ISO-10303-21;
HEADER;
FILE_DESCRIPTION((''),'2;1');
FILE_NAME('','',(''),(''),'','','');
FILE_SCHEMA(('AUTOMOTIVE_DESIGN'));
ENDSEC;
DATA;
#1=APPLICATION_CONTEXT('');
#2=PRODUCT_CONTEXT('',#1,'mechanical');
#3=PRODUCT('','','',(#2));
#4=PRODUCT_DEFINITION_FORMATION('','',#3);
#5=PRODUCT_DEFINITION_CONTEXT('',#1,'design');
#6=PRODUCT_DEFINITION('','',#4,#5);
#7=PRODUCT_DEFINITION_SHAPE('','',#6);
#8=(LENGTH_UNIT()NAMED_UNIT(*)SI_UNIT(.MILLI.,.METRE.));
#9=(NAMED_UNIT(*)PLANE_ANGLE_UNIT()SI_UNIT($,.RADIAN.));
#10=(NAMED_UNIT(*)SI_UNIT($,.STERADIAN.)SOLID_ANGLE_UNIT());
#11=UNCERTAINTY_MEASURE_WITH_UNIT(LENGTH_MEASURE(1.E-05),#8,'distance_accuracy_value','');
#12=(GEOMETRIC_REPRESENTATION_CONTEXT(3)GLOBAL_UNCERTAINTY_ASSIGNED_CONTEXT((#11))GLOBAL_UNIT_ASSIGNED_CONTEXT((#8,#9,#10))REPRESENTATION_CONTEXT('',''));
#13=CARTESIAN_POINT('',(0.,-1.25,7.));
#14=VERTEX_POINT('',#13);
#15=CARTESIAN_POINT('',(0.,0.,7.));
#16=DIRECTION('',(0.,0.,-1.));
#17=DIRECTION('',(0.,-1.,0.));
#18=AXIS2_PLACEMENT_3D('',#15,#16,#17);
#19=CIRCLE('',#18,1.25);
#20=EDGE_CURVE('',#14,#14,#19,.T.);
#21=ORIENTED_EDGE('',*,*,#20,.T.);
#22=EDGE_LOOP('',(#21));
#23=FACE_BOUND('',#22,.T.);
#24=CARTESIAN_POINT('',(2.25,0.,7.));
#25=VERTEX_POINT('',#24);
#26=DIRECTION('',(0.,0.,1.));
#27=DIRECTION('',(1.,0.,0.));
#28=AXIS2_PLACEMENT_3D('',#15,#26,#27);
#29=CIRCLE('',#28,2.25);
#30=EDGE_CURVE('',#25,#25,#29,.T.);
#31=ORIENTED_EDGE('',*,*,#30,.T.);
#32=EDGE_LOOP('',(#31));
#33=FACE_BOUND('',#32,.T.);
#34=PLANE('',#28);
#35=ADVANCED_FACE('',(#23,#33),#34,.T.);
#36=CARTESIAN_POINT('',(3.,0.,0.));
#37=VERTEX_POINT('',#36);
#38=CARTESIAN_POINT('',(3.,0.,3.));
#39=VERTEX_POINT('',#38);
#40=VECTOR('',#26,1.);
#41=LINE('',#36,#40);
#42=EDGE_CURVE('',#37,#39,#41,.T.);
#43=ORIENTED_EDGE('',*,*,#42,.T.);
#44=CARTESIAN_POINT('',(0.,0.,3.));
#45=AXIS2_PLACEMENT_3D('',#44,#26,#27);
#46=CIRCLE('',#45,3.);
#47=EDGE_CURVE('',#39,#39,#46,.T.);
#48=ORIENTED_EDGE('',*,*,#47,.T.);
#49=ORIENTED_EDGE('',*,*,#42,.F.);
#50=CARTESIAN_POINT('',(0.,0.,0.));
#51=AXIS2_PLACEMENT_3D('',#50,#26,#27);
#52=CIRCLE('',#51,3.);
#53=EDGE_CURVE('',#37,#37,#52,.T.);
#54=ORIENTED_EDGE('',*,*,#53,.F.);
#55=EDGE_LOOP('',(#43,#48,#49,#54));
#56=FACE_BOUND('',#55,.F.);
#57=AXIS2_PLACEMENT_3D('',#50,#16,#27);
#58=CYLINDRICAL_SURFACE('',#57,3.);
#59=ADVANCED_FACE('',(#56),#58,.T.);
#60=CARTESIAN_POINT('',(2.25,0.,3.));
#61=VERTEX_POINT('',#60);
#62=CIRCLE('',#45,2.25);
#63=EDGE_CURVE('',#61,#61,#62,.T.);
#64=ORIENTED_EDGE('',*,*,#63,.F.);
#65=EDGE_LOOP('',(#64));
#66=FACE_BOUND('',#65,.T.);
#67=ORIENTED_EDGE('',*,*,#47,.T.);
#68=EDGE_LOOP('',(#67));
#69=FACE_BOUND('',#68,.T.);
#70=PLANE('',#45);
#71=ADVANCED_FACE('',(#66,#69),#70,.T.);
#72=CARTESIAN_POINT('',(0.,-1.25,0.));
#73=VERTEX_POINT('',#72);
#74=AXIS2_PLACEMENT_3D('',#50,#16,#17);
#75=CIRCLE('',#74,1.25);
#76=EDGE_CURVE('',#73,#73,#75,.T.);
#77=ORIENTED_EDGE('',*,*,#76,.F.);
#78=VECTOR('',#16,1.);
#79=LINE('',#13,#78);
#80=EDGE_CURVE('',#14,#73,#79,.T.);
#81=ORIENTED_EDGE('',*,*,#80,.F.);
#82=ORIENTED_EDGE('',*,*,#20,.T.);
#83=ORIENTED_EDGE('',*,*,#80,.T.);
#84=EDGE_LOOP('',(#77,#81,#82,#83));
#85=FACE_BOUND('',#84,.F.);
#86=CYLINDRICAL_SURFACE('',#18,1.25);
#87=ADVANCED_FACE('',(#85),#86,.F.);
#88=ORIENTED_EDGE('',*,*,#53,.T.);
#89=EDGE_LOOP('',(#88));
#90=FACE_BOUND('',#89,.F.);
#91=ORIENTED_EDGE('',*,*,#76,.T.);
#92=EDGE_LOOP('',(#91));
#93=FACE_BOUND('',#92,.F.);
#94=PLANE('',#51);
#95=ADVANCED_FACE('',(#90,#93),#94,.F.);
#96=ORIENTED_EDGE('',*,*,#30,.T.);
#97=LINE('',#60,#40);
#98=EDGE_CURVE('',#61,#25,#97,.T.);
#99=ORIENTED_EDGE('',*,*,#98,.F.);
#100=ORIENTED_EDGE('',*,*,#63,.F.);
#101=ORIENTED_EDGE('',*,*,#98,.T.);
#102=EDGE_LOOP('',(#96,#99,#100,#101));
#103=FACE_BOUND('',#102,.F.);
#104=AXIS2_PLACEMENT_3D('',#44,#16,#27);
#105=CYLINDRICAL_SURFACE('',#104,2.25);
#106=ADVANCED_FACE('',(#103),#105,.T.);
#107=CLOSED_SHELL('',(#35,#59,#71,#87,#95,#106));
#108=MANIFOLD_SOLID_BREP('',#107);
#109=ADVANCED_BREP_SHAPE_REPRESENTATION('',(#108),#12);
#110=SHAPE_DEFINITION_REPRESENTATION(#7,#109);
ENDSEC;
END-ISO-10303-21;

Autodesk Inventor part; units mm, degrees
ref_plane "YZ Plane" through (0, 0, 0) normal (1, 0, 0) x (0, 1, 0)
ref_plane "XZ Plane" through (0, 0, 0) normal (0, 1, 0) x (-1, 0, 0)
ref_plane "XY Plane" through (0, 0, 0) normal (0, 0, 1) x (1, 0, 0)
sketch "スケッチ1" plane through (0, 0, 0) normal (0, 0, 1) x (1, 0, 0)
  circle A0 centre (0, 0) radius 3
  dimension "d20" = 6
extrude "押し出し1" add sketch "スケッチ1" along normal blind 3
sketch "スケッチ2" plane through (0, 0, 3) normal (0, 0, 1) x (1, 0, 0)
  circle A0 centre (0, 0) radius 2.25
  dimension "d3" = 4.5
extrude "押し出し2" add sketch "スケッチ2" along normal blind 4
sketch "スケッチ5" plane through (0, 0, 7) normal (0, 0, 1) x (1, 0, 0)
  point P0 (0, 0)
  point P1 (0, 0)
hole "穴2" at (0, 0, 7) direction (0, 0, -1) diameter 2.5 end through all
properties part number "RD009"
